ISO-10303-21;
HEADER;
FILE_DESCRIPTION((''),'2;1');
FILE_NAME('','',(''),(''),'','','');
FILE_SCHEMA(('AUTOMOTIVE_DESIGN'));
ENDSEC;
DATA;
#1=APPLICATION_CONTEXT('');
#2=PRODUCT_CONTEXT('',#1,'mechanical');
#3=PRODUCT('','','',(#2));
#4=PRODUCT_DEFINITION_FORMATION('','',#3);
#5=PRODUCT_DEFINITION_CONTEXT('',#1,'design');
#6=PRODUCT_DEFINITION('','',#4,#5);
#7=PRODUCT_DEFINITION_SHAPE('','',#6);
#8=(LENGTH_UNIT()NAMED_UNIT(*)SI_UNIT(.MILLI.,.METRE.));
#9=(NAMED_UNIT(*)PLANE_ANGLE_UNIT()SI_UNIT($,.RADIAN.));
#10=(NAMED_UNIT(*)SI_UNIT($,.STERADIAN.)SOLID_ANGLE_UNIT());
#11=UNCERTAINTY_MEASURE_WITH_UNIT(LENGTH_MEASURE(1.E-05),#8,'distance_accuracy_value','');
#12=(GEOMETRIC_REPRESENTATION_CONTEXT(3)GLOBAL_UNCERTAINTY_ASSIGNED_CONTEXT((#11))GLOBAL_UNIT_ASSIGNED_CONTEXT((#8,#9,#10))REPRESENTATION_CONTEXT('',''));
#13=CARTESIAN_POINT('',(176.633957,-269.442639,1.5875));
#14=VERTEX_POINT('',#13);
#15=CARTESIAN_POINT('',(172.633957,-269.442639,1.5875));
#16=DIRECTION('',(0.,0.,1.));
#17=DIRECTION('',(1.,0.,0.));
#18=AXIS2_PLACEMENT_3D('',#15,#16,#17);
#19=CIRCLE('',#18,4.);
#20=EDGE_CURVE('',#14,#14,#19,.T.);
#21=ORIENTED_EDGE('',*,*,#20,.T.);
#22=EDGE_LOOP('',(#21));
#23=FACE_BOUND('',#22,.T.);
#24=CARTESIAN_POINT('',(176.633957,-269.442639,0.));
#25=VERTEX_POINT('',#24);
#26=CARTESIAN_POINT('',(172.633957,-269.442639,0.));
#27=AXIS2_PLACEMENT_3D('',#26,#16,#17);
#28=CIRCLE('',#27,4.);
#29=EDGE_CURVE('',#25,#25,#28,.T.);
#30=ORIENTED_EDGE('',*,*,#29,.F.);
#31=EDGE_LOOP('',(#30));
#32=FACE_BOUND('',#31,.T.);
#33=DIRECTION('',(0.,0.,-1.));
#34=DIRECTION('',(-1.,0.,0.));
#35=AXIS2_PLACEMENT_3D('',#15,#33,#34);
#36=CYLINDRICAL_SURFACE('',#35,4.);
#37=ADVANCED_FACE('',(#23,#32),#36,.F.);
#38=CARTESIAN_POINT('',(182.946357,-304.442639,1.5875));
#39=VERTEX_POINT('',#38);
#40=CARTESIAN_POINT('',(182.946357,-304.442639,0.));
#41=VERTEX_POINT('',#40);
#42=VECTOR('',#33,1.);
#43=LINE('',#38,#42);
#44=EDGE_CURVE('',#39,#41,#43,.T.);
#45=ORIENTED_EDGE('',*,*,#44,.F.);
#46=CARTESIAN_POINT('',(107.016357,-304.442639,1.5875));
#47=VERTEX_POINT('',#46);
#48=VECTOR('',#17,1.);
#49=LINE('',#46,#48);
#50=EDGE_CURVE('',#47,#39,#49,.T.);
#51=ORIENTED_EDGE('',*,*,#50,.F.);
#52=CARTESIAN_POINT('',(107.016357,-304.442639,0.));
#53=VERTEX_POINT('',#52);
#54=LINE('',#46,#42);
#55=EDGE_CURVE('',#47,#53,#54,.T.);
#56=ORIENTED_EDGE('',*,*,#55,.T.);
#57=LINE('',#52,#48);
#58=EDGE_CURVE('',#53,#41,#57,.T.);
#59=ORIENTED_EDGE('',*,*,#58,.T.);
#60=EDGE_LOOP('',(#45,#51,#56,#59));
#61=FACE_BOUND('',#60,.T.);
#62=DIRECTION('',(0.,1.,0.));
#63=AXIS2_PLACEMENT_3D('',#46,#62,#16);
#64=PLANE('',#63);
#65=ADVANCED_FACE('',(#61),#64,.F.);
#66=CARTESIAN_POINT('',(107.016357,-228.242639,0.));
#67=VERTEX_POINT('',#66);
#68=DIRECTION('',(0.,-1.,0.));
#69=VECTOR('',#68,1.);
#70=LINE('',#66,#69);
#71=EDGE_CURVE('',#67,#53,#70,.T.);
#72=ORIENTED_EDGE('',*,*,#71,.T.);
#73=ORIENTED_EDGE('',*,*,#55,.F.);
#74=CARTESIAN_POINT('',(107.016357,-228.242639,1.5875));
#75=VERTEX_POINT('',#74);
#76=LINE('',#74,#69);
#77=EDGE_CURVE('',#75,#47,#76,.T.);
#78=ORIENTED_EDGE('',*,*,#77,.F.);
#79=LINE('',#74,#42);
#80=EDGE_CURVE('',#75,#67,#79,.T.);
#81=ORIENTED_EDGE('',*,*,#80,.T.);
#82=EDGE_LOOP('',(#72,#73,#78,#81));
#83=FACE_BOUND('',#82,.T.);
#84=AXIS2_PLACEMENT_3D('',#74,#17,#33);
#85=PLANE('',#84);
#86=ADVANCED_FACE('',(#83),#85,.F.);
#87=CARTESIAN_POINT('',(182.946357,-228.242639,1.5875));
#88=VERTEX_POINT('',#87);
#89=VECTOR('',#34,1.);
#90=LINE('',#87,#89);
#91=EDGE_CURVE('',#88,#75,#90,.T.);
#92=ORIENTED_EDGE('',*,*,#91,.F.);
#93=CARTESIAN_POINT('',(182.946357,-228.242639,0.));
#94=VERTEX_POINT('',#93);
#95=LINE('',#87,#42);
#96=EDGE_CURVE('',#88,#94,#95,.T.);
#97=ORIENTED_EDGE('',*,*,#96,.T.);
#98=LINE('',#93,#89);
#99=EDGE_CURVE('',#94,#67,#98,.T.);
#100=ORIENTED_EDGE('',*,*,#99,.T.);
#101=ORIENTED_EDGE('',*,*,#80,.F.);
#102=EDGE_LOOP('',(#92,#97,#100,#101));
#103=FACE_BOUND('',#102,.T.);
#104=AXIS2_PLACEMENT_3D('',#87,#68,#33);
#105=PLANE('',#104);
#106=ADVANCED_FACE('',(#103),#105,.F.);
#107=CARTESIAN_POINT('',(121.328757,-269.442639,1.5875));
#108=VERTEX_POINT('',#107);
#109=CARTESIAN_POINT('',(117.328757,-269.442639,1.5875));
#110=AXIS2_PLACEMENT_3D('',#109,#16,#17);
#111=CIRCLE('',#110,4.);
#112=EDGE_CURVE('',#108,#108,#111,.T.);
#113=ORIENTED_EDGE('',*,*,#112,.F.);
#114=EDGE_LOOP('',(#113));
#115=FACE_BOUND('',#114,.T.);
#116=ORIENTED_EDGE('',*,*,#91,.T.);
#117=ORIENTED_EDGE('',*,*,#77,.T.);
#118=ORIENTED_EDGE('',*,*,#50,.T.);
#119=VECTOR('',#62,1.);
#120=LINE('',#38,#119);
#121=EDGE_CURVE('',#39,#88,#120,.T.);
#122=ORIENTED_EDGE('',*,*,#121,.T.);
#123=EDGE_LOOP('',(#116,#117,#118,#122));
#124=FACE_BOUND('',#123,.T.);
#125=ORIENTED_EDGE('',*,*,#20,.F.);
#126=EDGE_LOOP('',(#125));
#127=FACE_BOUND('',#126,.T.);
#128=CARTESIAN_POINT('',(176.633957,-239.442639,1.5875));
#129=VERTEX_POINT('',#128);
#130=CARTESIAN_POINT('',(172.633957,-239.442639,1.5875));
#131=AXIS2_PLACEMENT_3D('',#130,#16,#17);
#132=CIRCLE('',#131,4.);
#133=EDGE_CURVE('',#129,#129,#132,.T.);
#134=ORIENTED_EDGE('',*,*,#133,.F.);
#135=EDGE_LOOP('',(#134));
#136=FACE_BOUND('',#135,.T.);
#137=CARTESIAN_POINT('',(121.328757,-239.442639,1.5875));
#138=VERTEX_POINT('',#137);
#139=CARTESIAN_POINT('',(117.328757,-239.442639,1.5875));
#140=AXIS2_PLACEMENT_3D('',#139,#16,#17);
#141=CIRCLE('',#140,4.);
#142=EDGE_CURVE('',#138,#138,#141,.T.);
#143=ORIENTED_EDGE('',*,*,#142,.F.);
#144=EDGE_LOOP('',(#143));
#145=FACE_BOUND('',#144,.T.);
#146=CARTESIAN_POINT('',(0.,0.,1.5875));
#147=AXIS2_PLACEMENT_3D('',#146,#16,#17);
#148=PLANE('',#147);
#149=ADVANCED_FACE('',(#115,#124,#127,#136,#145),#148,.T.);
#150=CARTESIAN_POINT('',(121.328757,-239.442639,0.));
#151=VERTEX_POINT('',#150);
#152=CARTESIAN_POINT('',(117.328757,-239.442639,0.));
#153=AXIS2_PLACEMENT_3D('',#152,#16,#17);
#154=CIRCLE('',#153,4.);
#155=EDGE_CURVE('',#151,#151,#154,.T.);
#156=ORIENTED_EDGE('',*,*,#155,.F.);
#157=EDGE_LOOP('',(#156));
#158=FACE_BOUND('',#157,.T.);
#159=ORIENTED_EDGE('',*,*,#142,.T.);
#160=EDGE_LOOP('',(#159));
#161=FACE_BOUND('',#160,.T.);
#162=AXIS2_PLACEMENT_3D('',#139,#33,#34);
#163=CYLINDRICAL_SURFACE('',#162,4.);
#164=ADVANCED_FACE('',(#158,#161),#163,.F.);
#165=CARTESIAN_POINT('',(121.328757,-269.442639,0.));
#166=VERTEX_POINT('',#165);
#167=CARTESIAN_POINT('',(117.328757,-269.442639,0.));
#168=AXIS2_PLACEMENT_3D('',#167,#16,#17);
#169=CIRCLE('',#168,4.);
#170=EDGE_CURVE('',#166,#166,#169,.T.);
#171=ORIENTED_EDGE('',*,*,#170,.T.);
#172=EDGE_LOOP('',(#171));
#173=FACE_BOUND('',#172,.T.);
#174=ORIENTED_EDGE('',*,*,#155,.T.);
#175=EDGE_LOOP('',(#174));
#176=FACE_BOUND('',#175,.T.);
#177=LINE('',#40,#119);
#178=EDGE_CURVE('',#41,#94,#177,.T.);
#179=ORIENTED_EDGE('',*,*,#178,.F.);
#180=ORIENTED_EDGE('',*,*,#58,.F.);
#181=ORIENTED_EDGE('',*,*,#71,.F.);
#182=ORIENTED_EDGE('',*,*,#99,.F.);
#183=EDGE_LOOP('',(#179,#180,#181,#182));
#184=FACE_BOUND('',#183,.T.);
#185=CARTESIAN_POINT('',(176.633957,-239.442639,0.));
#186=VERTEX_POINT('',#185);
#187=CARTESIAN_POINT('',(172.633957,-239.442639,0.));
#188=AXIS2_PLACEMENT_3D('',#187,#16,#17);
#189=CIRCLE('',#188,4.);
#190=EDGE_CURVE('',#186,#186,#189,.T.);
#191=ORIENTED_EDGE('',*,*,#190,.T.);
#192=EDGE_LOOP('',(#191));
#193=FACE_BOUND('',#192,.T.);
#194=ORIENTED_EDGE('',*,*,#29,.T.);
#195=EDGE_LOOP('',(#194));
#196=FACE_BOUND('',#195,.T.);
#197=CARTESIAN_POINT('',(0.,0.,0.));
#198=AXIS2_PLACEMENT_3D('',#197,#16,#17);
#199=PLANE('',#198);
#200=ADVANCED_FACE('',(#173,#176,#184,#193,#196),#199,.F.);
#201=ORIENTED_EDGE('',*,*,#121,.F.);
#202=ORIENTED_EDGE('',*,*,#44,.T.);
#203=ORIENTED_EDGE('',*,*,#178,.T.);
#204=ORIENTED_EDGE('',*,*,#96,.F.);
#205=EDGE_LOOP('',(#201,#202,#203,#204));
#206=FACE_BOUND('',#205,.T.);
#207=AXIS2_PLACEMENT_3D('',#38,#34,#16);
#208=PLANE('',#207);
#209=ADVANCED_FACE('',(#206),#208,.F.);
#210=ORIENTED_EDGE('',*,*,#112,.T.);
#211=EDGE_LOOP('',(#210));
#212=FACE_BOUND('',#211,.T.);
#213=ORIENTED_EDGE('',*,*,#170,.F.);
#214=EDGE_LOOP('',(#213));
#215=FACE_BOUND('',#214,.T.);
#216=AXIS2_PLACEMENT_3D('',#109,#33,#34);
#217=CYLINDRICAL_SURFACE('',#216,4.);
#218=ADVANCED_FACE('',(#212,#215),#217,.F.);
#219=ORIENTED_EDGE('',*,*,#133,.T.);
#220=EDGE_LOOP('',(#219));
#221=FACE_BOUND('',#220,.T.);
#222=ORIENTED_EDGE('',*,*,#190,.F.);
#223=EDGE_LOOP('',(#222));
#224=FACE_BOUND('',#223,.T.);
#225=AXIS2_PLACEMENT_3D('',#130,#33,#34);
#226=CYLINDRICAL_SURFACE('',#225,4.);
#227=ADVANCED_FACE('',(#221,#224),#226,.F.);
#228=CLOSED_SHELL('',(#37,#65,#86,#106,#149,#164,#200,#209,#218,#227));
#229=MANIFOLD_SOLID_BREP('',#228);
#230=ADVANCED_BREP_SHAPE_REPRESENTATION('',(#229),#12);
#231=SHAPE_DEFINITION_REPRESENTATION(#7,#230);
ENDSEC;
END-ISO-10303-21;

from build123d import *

# Parameters (mm, degrees)
SKETCH1_W           = 75.93
SKETCH1_H           = 76.2
SKETCH1_R           = 4
BOSS_EXTRUDE1_DEPTH = 1.5875


with BuildPart() as part:
    # Sketch1 → Boss-Extrude1 (new body)
    with BuildSketch(Plane.XY):
        with Locations((144.981356925, -266.342639432)):
            Rectangle(SKETCH1_W, SKETCH1_H)
        with Locations((117.328756925, -269.442639432)):
            Circle(SKETCH1_R, mode=Mode.SUBTRACT)
        with Locations((117.328756925, -239.442639432)):
            Circle(SKETCH1_R, mode=Mode.SUBTRACT)
        with Locations((172.633956925, -269.442639432)):
            Circle(SKETCH1_R, mode=Mode.SUBTRACT)
        with Locations((172.633956925, -239.442639432)):
            Circle(SKETCH1_R, mode=Mode.SUBTRACT)
    extrude(amount=BOSS_EXTRUDE1_DEPTH)


solid = part.part
